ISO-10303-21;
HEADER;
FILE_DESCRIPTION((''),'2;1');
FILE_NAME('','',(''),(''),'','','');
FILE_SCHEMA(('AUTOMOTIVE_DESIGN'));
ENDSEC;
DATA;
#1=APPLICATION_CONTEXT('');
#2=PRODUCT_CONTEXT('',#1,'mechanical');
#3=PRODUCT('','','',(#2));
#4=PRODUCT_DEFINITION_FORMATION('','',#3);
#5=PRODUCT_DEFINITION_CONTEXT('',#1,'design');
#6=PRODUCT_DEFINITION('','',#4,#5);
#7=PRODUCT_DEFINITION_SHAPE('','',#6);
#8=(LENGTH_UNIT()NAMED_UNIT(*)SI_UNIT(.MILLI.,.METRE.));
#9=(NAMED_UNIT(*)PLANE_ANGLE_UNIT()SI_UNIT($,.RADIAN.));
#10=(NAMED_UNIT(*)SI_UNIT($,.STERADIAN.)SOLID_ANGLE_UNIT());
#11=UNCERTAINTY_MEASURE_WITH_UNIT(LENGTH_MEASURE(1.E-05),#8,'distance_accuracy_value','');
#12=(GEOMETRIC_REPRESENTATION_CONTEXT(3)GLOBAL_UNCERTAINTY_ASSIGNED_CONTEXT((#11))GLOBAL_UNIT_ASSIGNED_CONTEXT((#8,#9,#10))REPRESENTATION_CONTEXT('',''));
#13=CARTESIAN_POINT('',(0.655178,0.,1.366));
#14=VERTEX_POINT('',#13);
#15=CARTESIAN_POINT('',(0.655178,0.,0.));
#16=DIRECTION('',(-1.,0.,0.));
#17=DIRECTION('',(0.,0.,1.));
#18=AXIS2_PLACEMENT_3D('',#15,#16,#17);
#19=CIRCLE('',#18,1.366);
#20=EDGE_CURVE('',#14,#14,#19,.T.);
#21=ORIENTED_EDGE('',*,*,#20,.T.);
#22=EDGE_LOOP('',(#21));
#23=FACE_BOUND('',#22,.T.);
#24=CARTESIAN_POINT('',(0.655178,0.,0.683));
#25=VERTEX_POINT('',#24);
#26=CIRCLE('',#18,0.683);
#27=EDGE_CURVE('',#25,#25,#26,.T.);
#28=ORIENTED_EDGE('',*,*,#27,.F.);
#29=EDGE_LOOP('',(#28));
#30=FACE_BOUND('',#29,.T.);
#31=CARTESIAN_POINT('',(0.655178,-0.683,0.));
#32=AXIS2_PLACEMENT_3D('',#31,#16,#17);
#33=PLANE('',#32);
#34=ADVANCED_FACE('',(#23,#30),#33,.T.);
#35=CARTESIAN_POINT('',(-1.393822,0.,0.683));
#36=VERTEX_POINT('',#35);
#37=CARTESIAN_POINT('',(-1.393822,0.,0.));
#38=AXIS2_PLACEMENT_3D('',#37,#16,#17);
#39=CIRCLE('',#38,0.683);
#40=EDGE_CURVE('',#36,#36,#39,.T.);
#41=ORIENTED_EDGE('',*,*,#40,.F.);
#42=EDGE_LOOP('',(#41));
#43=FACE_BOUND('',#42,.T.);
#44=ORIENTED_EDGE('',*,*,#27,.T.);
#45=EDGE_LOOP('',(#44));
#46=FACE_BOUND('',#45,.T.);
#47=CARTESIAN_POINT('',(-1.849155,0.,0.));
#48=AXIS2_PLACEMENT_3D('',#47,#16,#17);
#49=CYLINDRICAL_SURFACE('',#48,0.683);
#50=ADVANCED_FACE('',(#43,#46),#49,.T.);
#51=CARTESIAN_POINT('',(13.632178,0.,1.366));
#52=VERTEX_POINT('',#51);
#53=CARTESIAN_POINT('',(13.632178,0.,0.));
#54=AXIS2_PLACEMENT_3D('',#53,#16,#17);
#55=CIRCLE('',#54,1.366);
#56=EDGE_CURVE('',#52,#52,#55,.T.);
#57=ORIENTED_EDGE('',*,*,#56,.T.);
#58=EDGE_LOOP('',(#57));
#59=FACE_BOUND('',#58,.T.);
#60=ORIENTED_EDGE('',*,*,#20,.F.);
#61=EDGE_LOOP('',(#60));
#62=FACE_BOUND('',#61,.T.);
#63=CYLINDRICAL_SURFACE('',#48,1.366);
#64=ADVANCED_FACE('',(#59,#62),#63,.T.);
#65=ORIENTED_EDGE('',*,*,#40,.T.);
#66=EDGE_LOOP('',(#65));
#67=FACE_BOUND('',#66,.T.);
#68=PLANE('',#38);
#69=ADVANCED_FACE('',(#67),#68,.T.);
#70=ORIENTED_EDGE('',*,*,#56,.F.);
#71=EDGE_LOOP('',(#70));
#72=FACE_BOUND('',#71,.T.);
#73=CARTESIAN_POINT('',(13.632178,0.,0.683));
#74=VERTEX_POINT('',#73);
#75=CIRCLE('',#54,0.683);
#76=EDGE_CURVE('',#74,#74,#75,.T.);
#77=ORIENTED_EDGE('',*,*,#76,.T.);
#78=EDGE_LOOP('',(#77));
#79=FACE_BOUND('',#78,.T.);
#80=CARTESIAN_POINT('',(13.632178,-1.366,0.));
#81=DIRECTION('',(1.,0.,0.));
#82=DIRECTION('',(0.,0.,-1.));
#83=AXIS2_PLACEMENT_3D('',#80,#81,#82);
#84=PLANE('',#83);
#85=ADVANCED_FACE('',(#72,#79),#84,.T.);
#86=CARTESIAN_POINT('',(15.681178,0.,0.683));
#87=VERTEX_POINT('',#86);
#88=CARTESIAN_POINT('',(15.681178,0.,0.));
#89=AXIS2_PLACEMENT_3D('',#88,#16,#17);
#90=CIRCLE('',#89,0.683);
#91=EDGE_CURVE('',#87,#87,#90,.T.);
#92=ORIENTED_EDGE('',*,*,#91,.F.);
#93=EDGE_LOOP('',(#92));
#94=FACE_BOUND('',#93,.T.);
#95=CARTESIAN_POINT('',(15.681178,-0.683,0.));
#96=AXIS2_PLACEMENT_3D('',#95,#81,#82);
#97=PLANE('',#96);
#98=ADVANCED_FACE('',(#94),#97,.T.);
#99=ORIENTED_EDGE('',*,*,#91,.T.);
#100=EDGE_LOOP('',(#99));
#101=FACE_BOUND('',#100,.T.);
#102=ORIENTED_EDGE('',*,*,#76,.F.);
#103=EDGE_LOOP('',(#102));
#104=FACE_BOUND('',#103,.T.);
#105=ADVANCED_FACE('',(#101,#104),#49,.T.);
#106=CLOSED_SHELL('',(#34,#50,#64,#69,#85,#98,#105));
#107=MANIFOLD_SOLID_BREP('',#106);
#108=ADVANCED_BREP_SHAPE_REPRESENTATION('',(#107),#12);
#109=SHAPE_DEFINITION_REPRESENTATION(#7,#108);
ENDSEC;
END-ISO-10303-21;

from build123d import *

# Parameters (mm, degrees)
SCALE_1_SCALE = 0.683


with BuildPart() as part:
    # 草图1 → 旋转1 (revolve)
    with BuildSketch(Plane.XY, mode=Mode.PRIVATE) as revolve_1_sk:
        Polygon((-5.356321839, 0), (-5.356321839, -1), (-2.356321839, -1), (-2.356321839, -2), (16.643678161, -2), (16.643678161, -1), (19.643678161, -1), (19.643678161, 0), align=None)
    revolve(revolve_1_sk.sketch.rotate(Axis((-6.022988506, 0, 0), (1, 0, 0)), 270), axis=Axis((-6.022988506, 0, 0), (1, 0, 0)))


with BuildPart() as part_1:
    # 缩放比例1: scaled about (7.143678161, 0, 0)
    add(part.part.scale(SCALE_1_SCALE).moved(Location((2.264545977, 0, 0))))


solid = part_1.part
